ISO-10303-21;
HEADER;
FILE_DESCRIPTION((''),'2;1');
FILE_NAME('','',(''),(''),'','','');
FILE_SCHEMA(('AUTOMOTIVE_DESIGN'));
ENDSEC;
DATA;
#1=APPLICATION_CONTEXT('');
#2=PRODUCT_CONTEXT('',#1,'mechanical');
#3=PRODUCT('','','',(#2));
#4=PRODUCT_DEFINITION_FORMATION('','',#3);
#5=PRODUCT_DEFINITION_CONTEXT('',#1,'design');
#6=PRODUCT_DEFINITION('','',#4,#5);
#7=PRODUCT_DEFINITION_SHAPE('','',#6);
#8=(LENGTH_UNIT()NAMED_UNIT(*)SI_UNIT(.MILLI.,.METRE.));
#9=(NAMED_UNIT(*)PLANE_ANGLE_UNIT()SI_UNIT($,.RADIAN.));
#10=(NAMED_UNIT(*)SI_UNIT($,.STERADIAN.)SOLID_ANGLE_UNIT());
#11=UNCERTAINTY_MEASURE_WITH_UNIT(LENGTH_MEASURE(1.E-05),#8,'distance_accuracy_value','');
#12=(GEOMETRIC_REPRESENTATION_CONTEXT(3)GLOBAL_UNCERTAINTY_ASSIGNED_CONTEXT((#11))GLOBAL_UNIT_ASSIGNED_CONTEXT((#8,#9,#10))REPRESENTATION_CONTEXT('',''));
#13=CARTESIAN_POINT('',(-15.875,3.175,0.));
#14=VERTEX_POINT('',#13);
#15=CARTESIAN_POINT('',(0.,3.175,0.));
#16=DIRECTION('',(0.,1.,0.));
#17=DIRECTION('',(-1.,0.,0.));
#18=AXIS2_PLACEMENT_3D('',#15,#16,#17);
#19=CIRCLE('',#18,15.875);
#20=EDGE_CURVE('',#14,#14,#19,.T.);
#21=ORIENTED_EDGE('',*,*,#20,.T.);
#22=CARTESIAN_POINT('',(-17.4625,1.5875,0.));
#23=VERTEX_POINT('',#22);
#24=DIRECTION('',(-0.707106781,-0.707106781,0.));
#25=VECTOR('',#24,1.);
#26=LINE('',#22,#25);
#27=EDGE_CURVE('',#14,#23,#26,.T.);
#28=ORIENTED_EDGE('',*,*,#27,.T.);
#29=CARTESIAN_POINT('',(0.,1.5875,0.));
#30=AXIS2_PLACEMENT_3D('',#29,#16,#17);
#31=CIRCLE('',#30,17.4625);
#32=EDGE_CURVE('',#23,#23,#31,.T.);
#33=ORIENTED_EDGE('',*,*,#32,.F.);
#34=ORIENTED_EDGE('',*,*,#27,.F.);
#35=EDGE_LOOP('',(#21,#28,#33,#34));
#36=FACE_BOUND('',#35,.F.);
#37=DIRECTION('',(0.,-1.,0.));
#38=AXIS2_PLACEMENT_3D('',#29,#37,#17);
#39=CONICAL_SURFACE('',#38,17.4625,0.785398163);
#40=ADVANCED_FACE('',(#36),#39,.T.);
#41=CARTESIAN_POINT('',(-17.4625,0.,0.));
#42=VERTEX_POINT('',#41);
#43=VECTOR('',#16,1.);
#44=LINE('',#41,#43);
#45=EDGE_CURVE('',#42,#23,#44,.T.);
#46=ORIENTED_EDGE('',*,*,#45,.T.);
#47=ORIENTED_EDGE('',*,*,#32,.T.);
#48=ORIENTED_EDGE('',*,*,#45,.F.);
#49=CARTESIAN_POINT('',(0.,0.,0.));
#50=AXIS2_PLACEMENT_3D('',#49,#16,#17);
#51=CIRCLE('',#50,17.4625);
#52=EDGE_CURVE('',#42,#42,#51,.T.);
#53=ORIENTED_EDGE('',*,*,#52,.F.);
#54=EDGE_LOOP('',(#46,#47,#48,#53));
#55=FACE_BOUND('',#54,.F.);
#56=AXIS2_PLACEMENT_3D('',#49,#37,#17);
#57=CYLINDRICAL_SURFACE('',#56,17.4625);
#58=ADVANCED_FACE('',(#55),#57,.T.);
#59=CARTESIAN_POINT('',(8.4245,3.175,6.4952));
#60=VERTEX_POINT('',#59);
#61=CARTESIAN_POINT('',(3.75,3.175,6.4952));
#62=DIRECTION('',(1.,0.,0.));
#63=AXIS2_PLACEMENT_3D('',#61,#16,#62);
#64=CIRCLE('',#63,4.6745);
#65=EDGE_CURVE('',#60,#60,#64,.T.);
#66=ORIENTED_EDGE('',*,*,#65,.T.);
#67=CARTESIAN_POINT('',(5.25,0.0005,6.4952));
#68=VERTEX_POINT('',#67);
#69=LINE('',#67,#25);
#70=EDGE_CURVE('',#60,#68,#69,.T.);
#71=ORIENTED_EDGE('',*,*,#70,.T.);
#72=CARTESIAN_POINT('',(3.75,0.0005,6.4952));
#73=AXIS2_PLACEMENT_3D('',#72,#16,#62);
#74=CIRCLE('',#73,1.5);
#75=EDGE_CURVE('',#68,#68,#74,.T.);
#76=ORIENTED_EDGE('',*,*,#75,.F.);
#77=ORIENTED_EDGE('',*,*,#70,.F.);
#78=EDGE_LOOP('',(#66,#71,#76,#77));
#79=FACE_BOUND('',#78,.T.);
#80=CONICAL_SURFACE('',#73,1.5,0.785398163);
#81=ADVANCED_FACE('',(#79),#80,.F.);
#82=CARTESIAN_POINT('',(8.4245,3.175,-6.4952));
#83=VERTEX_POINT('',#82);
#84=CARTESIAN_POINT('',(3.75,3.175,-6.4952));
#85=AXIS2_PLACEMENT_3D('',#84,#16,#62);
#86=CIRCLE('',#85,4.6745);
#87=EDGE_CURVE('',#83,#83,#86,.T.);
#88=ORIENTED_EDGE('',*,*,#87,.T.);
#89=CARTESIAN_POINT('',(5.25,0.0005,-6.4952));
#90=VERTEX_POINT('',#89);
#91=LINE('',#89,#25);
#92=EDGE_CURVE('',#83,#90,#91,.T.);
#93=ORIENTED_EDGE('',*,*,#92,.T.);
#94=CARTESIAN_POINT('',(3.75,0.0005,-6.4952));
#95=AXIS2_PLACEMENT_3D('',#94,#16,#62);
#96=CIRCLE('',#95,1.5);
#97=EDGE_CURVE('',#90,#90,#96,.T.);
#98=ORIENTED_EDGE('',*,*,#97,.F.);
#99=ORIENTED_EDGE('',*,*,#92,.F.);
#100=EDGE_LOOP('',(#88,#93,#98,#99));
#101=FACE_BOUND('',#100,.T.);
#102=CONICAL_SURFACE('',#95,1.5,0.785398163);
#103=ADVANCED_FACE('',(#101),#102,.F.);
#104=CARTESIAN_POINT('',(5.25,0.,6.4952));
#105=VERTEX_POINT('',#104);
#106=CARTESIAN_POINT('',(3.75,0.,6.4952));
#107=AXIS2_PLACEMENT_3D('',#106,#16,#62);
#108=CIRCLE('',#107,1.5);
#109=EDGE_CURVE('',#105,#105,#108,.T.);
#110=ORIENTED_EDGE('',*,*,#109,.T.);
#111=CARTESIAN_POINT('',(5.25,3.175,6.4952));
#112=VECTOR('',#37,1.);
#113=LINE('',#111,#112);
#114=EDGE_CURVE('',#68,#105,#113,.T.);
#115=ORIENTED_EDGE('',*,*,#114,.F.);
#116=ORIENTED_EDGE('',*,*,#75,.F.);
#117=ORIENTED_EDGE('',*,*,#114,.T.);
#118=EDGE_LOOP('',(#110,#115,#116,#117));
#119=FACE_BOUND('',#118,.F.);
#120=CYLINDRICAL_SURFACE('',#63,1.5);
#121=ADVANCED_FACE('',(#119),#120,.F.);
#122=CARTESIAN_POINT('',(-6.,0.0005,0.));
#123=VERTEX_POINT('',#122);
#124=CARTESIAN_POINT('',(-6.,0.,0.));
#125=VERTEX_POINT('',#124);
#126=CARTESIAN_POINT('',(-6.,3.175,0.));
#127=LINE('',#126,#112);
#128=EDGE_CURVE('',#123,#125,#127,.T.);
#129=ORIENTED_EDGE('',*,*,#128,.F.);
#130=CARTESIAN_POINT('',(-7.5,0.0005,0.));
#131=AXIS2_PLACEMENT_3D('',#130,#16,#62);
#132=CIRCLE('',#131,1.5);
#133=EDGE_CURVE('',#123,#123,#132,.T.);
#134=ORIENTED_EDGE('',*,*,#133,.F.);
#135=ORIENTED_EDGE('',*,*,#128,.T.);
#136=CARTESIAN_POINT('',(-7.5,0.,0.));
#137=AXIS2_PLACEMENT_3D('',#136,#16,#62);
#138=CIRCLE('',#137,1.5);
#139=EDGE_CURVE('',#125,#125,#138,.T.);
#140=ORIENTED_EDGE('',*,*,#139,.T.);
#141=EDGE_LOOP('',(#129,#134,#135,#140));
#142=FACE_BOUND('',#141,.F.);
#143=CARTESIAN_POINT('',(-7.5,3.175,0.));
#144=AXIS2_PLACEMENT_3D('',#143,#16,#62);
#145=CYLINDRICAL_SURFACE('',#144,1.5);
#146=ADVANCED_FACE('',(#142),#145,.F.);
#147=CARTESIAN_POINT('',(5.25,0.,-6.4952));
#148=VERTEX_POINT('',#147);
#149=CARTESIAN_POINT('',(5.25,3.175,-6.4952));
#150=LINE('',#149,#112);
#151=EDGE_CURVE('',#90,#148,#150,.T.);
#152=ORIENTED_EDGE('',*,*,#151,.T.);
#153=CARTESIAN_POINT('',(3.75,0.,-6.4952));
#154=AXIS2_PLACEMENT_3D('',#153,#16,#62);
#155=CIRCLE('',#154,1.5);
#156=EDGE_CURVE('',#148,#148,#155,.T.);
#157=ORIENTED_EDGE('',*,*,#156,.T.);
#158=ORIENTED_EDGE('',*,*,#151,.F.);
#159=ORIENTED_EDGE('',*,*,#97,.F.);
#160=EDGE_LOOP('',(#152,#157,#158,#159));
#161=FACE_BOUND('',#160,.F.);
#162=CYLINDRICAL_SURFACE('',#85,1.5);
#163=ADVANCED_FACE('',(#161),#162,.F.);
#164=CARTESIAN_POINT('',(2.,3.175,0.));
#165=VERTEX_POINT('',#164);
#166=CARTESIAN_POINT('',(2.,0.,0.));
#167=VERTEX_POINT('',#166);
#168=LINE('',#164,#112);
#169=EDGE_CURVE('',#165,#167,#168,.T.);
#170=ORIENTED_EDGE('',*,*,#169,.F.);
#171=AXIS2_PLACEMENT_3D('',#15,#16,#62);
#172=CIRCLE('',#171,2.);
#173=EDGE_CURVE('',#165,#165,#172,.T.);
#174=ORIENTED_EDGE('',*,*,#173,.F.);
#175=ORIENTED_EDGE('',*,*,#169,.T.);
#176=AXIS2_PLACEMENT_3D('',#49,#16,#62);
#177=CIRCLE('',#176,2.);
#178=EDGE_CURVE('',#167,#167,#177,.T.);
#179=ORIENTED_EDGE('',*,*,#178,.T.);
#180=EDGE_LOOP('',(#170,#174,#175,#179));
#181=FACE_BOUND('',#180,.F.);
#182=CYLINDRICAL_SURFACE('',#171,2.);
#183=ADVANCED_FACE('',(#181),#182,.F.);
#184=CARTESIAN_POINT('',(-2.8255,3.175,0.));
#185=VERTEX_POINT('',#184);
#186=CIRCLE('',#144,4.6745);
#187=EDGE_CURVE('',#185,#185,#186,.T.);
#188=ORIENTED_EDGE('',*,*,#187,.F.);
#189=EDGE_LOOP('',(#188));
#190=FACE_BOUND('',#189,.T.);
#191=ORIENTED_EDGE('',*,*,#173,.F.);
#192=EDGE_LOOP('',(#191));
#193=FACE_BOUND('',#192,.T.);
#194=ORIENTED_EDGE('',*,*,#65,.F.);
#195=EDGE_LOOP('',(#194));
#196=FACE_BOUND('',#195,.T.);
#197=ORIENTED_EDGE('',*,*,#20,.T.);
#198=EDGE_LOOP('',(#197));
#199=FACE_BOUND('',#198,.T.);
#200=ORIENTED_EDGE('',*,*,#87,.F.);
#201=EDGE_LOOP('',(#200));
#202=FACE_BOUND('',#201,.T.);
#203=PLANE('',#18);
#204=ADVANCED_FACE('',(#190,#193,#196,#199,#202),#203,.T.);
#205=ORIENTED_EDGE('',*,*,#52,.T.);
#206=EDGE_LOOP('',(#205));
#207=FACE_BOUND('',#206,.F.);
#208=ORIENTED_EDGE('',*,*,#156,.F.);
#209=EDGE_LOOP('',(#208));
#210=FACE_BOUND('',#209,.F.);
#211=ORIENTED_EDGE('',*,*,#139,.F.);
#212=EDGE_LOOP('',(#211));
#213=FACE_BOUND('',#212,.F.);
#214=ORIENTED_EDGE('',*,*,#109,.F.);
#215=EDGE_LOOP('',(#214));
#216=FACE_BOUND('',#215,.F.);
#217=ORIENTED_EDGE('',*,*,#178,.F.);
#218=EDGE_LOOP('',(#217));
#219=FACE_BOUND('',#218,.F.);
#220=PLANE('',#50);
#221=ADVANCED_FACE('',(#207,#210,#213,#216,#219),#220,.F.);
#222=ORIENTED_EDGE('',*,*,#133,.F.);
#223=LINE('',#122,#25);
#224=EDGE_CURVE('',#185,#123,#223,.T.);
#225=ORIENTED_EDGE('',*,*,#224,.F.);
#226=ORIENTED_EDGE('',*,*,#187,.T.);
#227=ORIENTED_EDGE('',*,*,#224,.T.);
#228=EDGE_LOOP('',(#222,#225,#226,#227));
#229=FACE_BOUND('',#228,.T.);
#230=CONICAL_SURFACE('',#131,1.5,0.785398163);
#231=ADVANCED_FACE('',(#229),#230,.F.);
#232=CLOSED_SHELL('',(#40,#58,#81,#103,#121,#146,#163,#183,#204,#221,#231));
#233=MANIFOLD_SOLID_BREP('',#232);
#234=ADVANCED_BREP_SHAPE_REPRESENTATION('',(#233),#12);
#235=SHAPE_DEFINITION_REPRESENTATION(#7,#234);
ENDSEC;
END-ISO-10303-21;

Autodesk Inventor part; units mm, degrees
ref_plane "YZ Plane" through (0, 0, 0) normal (1, 0, 0) x (0, 1, 0)
ref_plane "XZ Plane" through (0, 0, 0) normal (0, 1, 0) x (-1, 0, 0)
ref_plane "XY Plane" through (0, 0, 0) normal (0, 0, 1) x (1, 0, 0)
sketch "Sketch1" plane through (0, 0, 0) normal (0, 1, 0) x (-1, 0, 0)
  circle A0 centre (0, 0) radius 17.4625
  line L0 (0, 0) -> (17.4625, 0) construction
  dimension "d0" = 34.925
extrude "Extrusion1" add sketch "Sketch1" along normal blind 3.175
sketch "Sketch2" plane through (0, 3.175, 0) normal (0, 1, 0) x (1, 0, 0)
  circle A0 centre (0, 0) radius 2
  line L0 (0, 0) -> (-14.2875, 0) construction
  arc A1 (-12.8229, 3.4359) -> (-12.8229, -3.4359) centre (-9.525, 0) ccw projected
  circle A2 centre (0, 0) radius 7.5 construction
  circle A3 centre (-7.5, 0) radius 1.5
  circle A4 centre (3.75, -6.4952) radius 1.5
  circle A5 centre (3.75, 6.4952) radius 1.5
  dimension "d10" = 15
  dimension "d9" = 4
  dimension "d11" = 3
  dimension "d14" = 360
extrude "Extrusion2" cut sketch "Sketch2" against normal through all
chamfer "Chamfer1" distance 3.175 angle 45 3 edges at (-9, 3.175, 0) (2.25, 3.175, -6.4952) (2.25, 3.175, 6.4952)
chamfer "Chamfer2" distance 1.5875 angle 45 1 edges at (17.4625, 3.175, 0)
properties part number "Hub Cap" material "Nylon 6/6"
